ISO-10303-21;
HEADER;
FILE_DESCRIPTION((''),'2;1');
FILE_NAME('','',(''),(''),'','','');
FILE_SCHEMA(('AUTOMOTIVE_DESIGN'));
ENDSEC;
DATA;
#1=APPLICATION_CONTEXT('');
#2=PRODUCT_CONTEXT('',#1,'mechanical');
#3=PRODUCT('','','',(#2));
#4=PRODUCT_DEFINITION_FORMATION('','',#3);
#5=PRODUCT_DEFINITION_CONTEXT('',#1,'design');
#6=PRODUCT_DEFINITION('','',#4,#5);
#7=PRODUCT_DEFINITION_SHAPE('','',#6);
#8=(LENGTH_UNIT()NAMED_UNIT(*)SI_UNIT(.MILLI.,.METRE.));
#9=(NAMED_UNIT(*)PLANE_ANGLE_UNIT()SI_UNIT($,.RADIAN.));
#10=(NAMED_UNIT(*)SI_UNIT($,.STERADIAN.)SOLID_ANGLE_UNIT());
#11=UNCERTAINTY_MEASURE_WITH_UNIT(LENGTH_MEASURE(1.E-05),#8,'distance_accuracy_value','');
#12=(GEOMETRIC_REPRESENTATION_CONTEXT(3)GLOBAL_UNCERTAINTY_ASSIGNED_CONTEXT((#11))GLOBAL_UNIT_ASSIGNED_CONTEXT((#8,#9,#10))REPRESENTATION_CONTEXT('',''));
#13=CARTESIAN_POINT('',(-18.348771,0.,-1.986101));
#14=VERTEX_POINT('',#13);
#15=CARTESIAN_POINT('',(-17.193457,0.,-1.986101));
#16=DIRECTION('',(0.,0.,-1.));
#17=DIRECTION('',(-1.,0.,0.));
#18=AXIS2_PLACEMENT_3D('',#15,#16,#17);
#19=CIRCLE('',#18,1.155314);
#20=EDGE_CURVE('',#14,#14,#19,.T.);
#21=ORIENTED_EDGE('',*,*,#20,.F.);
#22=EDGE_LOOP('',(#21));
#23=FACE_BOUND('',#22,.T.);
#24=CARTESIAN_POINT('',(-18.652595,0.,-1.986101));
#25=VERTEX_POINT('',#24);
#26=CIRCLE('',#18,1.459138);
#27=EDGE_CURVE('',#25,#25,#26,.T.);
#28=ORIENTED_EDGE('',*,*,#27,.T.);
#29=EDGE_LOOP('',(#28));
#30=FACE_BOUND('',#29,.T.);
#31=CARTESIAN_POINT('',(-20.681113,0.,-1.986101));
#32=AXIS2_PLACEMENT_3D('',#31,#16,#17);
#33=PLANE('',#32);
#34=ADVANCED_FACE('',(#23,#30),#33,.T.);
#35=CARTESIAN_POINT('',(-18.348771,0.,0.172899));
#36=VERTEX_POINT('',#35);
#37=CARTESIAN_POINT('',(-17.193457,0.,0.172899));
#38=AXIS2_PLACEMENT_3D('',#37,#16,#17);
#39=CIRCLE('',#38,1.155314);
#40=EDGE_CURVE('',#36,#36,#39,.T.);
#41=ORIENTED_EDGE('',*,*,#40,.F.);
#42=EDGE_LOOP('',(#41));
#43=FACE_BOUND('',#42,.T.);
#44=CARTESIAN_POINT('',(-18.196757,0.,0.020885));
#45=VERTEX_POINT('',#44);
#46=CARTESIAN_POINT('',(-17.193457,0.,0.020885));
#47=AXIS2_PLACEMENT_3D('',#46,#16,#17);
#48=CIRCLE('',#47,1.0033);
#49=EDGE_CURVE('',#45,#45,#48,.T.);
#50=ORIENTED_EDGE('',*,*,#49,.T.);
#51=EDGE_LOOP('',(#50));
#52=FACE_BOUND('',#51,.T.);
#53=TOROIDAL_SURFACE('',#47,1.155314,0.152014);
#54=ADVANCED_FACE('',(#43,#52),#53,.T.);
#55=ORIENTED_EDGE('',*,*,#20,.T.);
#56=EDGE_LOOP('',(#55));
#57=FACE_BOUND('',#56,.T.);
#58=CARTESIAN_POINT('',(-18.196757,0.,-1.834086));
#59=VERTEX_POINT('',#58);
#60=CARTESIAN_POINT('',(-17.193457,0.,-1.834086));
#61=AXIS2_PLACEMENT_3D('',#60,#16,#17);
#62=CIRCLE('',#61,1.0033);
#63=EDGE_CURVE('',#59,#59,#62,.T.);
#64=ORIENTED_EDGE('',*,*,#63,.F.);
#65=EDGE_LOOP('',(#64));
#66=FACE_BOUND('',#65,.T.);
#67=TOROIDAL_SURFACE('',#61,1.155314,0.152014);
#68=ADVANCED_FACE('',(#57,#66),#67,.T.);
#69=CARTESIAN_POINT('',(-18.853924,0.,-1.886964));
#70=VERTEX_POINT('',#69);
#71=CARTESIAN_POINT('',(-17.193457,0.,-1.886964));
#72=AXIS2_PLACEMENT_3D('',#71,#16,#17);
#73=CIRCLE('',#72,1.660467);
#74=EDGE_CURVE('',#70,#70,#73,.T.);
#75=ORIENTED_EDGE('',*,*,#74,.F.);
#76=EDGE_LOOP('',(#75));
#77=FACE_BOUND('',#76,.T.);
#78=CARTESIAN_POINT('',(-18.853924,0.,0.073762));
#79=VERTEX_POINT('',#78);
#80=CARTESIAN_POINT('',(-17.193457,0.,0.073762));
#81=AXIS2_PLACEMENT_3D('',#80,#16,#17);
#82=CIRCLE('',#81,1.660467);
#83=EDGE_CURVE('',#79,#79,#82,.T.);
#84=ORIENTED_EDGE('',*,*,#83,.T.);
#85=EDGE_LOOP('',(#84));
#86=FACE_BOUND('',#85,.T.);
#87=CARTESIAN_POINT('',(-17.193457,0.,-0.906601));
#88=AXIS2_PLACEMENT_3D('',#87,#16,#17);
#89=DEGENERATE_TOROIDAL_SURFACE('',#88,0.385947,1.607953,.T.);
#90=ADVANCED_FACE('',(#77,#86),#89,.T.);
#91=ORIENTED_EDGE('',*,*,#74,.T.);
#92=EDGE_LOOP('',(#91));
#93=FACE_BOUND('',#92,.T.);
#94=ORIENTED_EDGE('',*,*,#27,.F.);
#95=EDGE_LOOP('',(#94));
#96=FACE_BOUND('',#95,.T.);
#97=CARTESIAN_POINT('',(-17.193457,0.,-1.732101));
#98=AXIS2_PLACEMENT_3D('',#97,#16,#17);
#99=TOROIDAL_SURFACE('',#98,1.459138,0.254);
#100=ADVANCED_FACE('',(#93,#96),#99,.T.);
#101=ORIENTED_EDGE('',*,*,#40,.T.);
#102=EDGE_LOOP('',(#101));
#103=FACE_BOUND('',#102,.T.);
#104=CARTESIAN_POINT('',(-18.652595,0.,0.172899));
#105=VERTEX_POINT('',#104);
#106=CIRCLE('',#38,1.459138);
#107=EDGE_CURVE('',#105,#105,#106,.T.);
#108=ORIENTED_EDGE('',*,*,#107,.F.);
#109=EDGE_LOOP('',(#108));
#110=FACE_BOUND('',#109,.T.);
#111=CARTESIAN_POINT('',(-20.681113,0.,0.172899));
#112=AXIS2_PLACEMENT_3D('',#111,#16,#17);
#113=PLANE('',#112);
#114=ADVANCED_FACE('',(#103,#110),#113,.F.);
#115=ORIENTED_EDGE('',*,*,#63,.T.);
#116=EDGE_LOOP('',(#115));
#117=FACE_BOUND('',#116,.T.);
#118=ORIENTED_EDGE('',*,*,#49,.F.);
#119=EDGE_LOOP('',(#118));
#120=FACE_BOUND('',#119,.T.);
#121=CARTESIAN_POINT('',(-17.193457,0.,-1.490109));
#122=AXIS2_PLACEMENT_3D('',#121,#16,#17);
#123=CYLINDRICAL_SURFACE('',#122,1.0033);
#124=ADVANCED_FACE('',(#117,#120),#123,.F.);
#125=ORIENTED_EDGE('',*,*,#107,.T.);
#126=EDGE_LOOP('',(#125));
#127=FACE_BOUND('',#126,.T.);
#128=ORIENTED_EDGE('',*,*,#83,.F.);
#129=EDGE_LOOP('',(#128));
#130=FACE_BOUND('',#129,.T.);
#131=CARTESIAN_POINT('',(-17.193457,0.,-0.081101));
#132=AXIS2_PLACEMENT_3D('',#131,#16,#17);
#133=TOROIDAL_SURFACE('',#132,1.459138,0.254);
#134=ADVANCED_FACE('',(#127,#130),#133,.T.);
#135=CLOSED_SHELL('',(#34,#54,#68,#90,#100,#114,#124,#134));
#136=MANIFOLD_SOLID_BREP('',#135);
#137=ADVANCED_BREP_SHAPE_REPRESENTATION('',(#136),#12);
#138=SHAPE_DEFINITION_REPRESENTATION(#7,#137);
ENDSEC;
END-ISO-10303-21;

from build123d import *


with BuildPart() as part:
    # Sketch1 → Revolve2 (revolve)
    with BuildSketch(Plane(origin=(0, 0, 0), x_dir=(1, 0, 0), z_dir=(0, 1, 0))):
        with BuildLine():
            ThreePointArc((-18.853923819, 1.88696354), (-19.187356805, 0.906600667), (-18.853923819, -0.073762206))
            ThreePointArc((-18.853923819, -0.073762206), (-18.764801529, -0.146771194), (-18.65259451, -0.172899333))
            Line((-18.65259451, -0.172899333), (-18.348771106, -0.172899333))
            ThreePointArc((-18.348771106, -0.172899333), (-18.241280763, -0.128375375), (-18.196756805, -0.020885032))
            Line((-18.196756805, -0.020885032), (-18.196756805, 1.834086366))
            ThreePointArc((-18.196756805, 1.834086366), (-18.241280763, 1.941576709), (-18.348771106, 1.986100667))
            Line((-18.348771106, 1.986100667), (-18.65259451, 1.986100667))
            ThreePointArc((-18.65259451, 1.986100667), (-18.764801529, 1.959972528), (-18.853923819, 1.88696354))
        make_face()
    revolve(axis=Axis((-17.193456805, 0, -1.490109452), (0, 0, 1)))


solid = part.part
